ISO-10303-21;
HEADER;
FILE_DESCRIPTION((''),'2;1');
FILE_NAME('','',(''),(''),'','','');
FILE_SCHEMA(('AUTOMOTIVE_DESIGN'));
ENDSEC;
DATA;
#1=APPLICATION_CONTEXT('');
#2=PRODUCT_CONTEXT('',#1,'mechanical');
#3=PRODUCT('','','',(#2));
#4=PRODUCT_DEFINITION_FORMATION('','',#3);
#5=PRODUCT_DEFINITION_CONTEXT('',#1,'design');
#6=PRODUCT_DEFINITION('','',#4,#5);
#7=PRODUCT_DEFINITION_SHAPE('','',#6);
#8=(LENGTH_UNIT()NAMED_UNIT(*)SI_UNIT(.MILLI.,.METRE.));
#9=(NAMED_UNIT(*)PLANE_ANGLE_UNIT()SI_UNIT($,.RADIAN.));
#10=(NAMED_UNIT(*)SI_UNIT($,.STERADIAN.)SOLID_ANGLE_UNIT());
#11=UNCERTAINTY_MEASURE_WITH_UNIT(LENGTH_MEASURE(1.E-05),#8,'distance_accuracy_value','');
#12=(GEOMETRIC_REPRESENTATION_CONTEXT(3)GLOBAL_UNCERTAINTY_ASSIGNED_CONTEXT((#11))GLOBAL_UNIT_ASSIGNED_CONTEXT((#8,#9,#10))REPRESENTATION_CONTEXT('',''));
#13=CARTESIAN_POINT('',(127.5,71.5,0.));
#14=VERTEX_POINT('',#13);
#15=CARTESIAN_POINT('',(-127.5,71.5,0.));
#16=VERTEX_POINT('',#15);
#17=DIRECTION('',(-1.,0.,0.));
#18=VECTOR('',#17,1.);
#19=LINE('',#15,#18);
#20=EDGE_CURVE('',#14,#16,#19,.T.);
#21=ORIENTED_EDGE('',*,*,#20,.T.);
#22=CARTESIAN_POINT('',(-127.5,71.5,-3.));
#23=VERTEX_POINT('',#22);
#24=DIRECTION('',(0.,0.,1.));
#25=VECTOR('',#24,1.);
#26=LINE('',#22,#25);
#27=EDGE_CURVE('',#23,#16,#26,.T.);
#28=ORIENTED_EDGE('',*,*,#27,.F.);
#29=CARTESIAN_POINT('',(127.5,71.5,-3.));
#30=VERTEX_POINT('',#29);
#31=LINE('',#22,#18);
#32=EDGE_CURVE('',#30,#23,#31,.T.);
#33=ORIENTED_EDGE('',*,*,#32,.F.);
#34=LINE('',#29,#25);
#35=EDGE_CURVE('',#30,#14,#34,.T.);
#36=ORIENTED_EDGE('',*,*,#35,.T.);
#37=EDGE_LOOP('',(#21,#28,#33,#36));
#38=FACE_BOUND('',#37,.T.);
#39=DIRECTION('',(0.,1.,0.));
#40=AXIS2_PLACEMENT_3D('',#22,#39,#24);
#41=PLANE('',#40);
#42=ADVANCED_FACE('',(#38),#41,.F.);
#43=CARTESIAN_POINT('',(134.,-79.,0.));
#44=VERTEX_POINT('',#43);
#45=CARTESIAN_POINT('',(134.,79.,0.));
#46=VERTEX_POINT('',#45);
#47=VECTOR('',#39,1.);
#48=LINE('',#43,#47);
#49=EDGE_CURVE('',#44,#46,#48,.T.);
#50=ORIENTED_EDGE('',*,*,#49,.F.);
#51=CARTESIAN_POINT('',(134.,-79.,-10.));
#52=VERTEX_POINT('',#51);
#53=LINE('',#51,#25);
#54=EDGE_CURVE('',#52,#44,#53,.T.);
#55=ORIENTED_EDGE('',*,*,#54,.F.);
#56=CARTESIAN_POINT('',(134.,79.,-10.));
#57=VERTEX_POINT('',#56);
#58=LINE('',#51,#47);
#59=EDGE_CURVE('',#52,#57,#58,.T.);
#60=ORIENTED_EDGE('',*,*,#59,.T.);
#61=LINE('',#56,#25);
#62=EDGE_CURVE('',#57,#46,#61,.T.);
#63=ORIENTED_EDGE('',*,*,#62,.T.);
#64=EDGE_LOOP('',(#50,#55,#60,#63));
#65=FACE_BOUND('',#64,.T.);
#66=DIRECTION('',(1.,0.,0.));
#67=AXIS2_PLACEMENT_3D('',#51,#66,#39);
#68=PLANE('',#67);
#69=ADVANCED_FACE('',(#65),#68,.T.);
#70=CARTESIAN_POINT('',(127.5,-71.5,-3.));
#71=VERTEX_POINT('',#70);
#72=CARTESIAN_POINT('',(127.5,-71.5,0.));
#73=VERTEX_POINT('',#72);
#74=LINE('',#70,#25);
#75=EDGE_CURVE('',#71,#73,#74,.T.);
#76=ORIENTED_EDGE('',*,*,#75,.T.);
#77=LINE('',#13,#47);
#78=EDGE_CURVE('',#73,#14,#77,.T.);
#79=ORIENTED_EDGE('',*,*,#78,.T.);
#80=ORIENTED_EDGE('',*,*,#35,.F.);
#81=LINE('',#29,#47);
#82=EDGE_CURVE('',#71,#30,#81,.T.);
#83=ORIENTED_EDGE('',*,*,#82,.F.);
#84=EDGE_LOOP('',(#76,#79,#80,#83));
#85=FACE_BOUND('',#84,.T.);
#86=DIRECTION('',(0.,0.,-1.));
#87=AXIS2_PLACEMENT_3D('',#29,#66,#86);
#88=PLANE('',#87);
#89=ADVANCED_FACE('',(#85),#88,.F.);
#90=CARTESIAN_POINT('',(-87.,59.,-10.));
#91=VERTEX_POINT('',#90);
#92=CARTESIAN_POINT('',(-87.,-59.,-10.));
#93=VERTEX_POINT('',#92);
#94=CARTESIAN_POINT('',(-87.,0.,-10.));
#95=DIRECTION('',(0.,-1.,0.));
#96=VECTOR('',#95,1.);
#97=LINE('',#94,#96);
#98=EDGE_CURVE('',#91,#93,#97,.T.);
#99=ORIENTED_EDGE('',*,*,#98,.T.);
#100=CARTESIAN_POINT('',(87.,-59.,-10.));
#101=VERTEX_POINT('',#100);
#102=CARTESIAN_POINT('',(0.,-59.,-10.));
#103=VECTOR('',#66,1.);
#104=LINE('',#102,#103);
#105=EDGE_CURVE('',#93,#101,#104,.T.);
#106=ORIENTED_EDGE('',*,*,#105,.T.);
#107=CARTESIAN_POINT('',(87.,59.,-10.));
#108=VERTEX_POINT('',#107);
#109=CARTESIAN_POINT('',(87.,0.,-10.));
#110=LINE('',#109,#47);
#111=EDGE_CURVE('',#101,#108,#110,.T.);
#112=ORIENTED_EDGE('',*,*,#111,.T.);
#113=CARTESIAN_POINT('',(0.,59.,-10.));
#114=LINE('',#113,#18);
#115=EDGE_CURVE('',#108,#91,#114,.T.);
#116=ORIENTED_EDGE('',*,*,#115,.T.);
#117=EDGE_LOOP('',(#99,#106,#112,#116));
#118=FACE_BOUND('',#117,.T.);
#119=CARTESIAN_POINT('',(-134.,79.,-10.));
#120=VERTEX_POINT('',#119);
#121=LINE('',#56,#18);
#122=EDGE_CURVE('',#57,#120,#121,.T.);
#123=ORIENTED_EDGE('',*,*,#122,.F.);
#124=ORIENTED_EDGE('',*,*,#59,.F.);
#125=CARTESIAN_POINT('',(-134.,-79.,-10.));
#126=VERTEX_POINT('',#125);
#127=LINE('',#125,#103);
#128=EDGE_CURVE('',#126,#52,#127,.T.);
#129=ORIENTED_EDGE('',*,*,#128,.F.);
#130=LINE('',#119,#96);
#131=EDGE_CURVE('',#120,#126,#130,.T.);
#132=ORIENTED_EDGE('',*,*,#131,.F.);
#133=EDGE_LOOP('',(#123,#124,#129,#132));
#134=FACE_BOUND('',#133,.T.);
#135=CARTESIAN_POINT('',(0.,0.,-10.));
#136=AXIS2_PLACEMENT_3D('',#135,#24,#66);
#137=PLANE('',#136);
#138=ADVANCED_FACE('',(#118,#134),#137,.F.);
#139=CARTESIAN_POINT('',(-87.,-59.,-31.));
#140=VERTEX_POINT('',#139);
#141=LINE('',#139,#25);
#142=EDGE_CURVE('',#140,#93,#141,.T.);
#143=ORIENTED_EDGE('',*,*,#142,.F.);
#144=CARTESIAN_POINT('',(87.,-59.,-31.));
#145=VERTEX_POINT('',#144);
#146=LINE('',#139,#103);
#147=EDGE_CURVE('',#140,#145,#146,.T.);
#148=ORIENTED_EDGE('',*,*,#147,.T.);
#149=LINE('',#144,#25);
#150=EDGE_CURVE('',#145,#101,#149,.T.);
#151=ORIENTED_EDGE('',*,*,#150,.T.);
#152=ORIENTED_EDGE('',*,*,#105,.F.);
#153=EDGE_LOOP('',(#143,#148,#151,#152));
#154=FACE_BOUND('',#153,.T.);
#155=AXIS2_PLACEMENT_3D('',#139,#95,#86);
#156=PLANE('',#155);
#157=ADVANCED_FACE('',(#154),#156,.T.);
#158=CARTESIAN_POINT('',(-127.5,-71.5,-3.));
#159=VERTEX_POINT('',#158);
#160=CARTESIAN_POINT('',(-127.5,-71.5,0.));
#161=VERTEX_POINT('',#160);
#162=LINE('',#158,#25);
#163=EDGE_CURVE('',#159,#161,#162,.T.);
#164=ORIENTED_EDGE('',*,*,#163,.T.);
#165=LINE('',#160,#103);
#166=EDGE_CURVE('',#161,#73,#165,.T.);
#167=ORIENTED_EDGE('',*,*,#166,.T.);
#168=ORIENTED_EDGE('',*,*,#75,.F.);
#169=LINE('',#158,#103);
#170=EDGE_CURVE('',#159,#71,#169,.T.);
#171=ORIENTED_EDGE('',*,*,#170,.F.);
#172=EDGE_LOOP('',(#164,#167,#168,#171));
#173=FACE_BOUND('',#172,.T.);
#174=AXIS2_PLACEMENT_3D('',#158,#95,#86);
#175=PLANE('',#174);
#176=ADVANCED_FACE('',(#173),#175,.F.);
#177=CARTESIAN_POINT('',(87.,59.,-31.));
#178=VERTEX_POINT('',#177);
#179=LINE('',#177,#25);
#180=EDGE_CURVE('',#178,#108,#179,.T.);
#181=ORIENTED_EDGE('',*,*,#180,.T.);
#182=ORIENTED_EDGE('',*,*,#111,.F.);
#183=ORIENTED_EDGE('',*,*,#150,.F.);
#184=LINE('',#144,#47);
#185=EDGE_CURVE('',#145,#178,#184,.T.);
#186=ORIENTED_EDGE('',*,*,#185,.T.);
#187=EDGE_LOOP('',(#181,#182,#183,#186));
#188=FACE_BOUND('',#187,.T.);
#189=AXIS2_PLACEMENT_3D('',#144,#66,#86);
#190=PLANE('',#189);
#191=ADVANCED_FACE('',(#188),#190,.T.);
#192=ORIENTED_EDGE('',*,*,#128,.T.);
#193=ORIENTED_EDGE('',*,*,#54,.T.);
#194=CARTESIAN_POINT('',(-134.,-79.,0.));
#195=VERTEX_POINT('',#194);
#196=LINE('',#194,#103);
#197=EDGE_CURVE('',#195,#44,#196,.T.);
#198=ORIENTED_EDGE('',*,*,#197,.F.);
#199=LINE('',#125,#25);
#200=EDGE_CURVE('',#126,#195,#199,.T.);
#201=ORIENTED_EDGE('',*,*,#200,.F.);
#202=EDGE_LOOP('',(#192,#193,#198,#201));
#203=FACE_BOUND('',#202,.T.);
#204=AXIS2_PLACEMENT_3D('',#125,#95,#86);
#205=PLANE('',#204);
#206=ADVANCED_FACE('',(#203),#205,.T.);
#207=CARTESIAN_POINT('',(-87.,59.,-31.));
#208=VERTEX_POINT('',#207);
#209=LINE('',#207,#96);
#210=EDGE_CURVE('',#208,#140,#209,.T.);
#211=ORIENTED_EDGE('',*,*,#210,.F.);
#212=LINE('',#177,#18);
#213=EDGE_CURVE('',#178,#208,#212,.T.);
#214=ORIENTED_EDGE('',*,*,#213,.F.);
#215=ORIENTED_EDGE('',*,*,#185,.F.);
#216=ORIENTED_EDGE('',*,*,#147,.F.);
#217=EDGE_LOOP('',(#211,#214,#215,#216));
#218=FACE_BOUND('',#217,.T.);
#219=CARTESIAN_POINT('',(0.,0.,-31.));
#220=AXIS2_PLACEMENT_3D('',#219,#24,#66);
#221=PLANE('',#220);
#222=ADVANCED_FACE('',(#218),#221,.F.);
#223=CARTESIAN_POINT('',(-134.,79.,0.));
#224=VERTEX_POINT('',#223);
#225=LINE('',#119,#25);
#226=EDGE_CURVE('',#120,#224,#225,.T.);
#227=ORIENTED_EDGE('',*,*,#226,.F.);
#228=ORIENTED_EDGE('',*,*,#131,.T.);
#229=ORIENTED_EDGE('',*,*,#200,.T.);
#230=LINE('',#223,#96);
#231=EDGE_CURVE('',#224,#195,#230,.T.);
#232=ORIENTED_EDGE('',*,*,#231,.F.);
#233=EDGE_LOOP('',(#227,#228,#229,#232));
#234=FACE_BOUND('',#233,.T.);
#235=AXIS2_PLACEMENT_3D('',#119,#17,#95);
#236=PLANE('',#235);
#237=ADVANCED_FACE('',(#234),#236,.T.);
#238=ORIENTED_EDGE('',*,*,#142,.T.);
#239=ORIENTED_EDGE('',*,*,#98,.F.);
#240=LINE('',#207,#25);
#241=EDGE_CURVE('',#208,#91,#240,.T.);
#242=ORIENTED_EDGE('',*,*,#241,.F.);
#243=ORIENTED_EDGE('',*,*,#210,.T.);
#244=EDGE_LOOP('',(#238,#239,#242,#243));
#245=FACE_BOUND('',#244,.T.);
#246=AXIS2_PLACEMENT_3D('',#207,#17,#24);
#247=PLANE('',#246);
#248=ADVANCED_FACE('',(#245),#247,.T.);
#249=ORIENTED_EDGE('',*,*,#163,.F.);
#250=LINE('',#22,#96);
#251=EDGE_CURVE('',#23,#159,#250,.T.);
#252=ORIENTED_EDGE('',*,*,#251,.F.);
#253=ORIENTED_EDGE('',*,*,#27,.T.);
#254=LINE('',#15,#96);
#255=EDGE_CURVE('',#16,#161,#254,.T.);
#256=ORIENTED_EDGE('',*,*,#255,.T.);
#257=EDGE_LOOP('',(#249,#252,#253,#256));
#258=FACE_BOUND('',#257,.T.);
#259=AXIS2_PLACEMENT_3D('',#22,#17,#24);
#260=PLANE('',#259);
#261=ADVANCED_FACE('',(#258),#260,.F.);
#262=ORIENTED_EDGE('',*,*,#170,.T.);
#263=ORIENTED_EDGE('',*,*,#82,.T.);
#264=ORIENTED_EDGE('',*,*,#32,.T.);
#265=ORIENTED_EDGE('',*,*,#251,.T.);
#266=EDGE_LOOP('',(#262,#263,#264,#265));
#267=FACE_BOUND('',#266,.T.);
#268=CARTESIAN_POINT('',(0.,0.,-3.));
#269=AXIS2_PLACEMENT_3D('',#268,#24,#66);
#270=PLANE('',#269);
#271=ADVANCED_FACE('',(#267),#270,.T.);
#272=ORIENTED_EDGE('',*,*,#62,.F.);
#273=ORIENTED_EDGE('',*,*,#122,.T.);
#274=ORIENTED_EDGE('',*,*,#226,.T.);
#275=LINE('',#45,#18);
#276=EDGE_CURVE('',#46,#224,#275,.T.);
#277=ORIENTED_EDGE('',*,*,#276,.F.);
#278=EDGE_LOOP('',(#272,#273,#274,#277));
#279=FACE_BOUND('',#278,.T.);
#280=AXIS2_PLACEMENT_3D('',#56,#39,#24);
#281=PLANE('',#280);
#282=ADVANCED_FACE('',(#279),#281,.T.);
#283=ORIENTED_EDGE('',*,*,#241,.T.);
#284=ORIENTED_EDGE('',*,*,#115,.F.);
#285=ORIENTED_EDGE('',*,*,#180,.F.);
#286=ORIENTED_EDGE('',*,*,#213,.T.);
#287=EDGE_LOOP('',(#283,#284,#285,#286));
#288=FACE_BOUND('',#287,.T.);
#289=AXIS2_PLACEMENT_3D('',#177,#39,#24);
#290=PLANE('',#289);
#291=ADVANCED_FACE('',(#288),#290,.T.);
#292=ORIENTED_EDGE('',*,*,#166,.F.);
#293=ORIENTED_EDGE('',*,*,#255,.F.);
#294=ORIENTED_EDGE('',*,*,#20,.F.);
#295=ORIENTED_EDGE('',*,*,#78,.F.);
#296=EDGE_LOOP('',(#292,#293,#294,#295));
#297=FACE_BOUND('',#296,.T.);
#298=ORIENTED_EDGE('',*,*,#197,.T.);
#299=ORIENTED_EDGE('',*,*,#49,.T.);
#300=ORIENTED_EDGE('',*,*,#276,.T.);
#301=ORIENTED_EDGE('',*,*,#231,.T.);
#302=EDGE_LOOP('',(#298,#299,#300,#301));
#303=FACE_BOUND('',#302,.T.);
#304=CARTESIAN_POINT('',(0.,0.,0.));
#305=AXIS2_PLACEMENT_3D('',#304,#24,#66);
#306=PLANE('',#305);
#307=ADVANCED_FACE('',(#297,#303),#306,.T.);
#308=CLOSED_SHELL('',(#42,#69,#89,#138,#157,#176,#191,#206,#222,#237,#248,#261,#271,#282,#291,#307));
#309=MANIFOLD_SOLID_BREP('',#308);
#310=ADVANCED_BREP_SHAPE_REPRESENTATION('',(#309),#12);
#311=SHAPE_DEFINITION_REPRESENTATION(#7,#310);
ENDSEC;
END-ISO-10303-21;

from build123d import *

# Parameters (mm, degrees)
SKETCH_2_W          = 268
SKETCH_2_H          = 158
EXTRUDE_1_DEPTH     = 10
SKETCH_3_W          = 174
SKETCH_3_H          = 118
EXTRUDE_2_DEPTH     = 31
SKETCH_4_W          = 255
SKETCH_4_H          = 143
CUT_EXTRUDE_1_DEPTH = 3


with BuildPart() as part:
    # 草图2 → 凸台-拉伸1 (new body)
    with BuildSketch(Plane.XY):
        Rectangle(SKETCH_2_W, SKETCH_2_H)
    extrude(amount=-EXTRUDE_1_DEPTH)

    # 草图3 → 凸台-拉伸2 (add)
    with BuildSketch(Plane.XY):
        Rectangle(SKETCH_3_W, SKETCH_3_H)
    extrude(amount=-EXTRUDE_2_DEPTH)

    # 草图4 → 切除-拉伸1 (cut)
    with BuildSketch(Plane.XY):
        Rectangle(SKETCH_4_W, SKETCH_4_H)
    extrude(amount=-CUT_EXTRUDE_1_DEPTH, mode=Mode.SUBTRACT)


solid = part.part
